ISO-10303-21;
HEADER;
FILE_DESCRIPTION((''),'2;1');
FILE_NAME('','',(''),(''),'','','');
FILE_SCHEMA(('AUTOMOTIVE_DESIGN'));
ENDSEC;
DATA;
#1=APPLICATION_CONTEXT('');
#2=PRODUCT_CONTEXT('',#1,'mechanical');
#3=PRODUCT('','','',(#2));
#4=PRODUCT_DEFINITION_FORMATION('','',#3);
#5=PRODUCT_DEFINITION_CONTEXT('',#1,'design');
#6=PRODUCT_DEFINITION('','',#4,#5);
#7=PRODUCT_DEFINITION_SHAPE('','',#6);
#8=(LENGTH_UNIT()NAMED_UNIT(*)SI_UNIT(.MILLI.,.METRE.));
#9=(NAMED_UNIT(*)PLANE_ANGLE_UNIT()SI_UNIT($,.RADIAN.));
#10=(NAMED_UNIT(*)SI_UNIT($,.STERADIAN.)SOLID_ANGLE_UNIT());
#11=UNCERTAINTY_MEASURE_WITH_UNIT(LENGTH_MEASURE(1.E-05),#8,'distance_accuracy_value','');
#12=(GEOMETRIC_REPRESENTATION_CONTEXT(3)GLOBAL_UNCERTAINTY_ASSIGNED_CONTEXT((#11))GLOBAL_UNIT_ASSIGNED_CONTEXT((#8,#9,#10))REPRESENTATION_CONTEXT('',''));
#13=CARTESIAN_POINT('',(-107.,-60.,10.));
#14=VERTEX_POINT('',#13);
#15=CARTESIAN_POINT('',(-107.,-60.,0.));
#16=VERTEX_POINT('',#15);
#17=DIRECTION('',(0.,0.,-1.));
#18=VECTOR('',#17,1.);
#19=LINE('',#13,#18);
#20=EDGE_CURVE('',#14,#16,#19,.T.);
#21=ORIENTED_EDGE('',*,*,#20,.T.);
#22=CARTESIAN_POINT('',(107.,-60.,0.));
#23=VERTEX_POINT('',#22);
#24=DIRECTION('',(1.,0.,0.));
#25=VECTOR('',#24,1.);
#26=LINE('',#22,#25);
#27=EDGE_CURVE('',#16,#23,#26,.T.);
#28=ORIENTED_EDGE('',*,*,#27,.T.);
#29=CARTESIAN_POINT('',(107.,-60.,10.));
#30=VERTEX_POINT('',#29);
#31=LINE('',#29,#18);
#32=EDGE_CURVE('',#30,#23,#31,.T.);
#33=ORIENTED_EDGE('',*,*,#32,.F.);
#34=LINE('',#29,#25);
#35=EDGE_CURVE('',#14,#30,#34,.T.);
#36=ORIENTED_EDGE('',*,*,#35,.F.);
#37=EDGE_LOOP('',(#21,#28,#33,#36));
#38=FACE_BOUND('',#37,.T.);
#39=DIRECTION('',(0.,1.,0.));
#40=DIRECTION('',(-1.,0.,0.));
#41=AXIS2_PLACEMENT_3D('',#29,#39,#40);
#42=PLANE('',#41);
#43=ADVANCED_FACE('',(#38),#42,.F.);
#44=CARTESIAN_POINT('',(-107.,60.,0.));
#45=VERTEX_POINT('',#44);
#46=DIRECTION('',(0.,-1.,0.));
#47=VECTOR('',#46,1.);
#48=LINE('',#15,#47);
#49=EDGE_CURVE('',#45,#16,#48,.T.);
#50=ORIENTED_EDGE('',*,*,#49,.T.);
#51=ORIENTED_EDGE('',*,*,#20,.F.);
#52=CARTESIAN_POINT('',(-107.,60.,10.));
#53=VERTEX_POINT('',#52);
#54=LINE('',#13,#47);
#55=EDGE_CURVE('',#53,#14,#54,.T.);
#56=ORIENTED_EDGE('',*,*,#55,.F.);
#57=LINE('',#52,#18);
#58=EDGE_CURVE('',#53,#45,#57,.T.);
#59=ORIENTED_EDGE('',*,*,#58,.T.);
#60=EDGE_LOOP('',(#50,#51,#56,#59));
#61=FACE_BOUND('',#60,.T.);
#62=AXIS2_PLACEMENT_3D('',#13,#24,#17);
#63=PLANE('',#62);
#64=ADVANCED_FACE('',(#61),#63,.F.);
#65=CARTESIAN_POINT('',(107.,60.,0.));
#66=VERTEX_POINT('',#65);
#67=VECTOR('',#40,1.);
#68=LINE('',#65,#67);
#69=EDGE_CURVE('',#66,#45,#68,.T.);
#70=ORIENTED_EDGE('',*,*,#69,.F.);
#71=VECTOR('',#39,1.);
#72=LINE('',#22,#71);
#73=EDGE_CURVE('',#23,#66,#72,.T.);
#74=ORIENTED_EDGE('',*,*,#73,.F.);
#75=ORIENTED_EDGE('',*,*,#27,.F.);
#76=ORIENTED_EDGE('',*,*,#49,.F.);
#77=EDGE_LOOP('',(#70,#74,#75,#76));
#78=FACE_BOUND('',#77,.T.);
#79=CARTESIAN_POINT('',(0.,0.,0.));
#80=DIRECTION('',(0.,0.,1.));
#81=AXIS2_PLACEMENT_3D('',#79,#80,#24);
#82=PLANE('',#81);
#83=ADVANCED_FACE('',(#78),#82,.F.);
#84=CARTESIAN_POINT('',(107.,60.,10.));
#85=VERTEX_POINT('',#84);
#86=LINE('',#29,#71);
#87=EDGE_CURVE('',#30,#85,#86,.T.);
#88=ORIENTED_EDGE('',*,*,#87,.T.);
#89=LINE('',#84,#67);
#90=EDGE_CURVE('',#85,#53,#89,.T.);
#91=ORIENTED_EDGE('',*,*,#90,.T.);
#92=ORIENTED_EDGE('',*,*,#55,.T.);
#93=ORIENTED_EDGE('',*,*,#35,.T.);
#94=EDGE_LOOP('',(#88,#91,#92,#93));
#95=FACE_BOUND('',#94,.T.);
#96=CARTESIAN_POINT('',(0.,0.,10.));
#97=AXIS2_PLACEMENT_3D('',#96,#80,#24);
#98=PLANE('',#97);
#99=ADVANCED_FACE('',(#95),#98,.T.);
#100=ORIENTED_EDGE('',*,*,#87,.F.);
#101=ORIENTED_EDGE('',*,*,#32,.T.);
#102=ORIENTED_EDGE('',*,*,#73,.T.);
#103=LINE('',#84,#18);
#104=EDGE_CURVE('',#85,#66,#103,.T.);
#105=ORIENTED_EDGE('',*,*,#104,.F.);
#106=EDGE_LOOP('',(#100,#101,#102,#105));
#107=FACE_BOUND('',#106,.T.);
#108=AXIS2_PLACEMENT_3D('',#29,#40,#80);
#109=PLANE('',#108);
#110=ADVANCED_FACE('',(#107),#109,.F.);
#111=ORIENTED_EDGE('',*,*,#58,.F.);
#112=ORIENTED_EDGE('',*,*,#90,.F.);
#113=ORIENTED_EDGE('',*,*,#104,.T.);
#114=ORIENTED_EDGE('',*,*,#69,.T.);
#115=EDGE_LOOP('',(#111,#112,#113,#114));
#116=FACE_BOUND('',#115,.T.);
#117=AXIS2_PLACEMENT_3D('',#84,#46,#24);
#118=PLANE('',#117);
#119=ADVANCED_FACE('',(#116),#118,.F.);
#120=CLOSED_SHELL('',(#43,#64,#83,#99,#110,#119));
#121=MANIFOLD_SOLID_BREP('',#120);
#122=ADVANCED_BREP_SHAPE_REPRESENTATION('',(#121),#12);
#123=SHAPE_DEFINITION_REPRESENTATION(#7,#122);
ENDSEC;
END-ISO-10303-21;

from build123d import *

# Parameters (mm, degrees)
SKETCH_1_W      = 214
SKETCH_1_H      = 120
EXTRUDE_1_DEPTH = 10


with BuildPart() as part:
    # 草图1 → 凸台-拉伸1 (new body)
    with BuildSketch(Plane.XY):
        Rectangle(SKETCH_1_W, SKETCH_1_H)
    extrude(amount=EXTRUDE_1_DEPTH)


solid = part.part
